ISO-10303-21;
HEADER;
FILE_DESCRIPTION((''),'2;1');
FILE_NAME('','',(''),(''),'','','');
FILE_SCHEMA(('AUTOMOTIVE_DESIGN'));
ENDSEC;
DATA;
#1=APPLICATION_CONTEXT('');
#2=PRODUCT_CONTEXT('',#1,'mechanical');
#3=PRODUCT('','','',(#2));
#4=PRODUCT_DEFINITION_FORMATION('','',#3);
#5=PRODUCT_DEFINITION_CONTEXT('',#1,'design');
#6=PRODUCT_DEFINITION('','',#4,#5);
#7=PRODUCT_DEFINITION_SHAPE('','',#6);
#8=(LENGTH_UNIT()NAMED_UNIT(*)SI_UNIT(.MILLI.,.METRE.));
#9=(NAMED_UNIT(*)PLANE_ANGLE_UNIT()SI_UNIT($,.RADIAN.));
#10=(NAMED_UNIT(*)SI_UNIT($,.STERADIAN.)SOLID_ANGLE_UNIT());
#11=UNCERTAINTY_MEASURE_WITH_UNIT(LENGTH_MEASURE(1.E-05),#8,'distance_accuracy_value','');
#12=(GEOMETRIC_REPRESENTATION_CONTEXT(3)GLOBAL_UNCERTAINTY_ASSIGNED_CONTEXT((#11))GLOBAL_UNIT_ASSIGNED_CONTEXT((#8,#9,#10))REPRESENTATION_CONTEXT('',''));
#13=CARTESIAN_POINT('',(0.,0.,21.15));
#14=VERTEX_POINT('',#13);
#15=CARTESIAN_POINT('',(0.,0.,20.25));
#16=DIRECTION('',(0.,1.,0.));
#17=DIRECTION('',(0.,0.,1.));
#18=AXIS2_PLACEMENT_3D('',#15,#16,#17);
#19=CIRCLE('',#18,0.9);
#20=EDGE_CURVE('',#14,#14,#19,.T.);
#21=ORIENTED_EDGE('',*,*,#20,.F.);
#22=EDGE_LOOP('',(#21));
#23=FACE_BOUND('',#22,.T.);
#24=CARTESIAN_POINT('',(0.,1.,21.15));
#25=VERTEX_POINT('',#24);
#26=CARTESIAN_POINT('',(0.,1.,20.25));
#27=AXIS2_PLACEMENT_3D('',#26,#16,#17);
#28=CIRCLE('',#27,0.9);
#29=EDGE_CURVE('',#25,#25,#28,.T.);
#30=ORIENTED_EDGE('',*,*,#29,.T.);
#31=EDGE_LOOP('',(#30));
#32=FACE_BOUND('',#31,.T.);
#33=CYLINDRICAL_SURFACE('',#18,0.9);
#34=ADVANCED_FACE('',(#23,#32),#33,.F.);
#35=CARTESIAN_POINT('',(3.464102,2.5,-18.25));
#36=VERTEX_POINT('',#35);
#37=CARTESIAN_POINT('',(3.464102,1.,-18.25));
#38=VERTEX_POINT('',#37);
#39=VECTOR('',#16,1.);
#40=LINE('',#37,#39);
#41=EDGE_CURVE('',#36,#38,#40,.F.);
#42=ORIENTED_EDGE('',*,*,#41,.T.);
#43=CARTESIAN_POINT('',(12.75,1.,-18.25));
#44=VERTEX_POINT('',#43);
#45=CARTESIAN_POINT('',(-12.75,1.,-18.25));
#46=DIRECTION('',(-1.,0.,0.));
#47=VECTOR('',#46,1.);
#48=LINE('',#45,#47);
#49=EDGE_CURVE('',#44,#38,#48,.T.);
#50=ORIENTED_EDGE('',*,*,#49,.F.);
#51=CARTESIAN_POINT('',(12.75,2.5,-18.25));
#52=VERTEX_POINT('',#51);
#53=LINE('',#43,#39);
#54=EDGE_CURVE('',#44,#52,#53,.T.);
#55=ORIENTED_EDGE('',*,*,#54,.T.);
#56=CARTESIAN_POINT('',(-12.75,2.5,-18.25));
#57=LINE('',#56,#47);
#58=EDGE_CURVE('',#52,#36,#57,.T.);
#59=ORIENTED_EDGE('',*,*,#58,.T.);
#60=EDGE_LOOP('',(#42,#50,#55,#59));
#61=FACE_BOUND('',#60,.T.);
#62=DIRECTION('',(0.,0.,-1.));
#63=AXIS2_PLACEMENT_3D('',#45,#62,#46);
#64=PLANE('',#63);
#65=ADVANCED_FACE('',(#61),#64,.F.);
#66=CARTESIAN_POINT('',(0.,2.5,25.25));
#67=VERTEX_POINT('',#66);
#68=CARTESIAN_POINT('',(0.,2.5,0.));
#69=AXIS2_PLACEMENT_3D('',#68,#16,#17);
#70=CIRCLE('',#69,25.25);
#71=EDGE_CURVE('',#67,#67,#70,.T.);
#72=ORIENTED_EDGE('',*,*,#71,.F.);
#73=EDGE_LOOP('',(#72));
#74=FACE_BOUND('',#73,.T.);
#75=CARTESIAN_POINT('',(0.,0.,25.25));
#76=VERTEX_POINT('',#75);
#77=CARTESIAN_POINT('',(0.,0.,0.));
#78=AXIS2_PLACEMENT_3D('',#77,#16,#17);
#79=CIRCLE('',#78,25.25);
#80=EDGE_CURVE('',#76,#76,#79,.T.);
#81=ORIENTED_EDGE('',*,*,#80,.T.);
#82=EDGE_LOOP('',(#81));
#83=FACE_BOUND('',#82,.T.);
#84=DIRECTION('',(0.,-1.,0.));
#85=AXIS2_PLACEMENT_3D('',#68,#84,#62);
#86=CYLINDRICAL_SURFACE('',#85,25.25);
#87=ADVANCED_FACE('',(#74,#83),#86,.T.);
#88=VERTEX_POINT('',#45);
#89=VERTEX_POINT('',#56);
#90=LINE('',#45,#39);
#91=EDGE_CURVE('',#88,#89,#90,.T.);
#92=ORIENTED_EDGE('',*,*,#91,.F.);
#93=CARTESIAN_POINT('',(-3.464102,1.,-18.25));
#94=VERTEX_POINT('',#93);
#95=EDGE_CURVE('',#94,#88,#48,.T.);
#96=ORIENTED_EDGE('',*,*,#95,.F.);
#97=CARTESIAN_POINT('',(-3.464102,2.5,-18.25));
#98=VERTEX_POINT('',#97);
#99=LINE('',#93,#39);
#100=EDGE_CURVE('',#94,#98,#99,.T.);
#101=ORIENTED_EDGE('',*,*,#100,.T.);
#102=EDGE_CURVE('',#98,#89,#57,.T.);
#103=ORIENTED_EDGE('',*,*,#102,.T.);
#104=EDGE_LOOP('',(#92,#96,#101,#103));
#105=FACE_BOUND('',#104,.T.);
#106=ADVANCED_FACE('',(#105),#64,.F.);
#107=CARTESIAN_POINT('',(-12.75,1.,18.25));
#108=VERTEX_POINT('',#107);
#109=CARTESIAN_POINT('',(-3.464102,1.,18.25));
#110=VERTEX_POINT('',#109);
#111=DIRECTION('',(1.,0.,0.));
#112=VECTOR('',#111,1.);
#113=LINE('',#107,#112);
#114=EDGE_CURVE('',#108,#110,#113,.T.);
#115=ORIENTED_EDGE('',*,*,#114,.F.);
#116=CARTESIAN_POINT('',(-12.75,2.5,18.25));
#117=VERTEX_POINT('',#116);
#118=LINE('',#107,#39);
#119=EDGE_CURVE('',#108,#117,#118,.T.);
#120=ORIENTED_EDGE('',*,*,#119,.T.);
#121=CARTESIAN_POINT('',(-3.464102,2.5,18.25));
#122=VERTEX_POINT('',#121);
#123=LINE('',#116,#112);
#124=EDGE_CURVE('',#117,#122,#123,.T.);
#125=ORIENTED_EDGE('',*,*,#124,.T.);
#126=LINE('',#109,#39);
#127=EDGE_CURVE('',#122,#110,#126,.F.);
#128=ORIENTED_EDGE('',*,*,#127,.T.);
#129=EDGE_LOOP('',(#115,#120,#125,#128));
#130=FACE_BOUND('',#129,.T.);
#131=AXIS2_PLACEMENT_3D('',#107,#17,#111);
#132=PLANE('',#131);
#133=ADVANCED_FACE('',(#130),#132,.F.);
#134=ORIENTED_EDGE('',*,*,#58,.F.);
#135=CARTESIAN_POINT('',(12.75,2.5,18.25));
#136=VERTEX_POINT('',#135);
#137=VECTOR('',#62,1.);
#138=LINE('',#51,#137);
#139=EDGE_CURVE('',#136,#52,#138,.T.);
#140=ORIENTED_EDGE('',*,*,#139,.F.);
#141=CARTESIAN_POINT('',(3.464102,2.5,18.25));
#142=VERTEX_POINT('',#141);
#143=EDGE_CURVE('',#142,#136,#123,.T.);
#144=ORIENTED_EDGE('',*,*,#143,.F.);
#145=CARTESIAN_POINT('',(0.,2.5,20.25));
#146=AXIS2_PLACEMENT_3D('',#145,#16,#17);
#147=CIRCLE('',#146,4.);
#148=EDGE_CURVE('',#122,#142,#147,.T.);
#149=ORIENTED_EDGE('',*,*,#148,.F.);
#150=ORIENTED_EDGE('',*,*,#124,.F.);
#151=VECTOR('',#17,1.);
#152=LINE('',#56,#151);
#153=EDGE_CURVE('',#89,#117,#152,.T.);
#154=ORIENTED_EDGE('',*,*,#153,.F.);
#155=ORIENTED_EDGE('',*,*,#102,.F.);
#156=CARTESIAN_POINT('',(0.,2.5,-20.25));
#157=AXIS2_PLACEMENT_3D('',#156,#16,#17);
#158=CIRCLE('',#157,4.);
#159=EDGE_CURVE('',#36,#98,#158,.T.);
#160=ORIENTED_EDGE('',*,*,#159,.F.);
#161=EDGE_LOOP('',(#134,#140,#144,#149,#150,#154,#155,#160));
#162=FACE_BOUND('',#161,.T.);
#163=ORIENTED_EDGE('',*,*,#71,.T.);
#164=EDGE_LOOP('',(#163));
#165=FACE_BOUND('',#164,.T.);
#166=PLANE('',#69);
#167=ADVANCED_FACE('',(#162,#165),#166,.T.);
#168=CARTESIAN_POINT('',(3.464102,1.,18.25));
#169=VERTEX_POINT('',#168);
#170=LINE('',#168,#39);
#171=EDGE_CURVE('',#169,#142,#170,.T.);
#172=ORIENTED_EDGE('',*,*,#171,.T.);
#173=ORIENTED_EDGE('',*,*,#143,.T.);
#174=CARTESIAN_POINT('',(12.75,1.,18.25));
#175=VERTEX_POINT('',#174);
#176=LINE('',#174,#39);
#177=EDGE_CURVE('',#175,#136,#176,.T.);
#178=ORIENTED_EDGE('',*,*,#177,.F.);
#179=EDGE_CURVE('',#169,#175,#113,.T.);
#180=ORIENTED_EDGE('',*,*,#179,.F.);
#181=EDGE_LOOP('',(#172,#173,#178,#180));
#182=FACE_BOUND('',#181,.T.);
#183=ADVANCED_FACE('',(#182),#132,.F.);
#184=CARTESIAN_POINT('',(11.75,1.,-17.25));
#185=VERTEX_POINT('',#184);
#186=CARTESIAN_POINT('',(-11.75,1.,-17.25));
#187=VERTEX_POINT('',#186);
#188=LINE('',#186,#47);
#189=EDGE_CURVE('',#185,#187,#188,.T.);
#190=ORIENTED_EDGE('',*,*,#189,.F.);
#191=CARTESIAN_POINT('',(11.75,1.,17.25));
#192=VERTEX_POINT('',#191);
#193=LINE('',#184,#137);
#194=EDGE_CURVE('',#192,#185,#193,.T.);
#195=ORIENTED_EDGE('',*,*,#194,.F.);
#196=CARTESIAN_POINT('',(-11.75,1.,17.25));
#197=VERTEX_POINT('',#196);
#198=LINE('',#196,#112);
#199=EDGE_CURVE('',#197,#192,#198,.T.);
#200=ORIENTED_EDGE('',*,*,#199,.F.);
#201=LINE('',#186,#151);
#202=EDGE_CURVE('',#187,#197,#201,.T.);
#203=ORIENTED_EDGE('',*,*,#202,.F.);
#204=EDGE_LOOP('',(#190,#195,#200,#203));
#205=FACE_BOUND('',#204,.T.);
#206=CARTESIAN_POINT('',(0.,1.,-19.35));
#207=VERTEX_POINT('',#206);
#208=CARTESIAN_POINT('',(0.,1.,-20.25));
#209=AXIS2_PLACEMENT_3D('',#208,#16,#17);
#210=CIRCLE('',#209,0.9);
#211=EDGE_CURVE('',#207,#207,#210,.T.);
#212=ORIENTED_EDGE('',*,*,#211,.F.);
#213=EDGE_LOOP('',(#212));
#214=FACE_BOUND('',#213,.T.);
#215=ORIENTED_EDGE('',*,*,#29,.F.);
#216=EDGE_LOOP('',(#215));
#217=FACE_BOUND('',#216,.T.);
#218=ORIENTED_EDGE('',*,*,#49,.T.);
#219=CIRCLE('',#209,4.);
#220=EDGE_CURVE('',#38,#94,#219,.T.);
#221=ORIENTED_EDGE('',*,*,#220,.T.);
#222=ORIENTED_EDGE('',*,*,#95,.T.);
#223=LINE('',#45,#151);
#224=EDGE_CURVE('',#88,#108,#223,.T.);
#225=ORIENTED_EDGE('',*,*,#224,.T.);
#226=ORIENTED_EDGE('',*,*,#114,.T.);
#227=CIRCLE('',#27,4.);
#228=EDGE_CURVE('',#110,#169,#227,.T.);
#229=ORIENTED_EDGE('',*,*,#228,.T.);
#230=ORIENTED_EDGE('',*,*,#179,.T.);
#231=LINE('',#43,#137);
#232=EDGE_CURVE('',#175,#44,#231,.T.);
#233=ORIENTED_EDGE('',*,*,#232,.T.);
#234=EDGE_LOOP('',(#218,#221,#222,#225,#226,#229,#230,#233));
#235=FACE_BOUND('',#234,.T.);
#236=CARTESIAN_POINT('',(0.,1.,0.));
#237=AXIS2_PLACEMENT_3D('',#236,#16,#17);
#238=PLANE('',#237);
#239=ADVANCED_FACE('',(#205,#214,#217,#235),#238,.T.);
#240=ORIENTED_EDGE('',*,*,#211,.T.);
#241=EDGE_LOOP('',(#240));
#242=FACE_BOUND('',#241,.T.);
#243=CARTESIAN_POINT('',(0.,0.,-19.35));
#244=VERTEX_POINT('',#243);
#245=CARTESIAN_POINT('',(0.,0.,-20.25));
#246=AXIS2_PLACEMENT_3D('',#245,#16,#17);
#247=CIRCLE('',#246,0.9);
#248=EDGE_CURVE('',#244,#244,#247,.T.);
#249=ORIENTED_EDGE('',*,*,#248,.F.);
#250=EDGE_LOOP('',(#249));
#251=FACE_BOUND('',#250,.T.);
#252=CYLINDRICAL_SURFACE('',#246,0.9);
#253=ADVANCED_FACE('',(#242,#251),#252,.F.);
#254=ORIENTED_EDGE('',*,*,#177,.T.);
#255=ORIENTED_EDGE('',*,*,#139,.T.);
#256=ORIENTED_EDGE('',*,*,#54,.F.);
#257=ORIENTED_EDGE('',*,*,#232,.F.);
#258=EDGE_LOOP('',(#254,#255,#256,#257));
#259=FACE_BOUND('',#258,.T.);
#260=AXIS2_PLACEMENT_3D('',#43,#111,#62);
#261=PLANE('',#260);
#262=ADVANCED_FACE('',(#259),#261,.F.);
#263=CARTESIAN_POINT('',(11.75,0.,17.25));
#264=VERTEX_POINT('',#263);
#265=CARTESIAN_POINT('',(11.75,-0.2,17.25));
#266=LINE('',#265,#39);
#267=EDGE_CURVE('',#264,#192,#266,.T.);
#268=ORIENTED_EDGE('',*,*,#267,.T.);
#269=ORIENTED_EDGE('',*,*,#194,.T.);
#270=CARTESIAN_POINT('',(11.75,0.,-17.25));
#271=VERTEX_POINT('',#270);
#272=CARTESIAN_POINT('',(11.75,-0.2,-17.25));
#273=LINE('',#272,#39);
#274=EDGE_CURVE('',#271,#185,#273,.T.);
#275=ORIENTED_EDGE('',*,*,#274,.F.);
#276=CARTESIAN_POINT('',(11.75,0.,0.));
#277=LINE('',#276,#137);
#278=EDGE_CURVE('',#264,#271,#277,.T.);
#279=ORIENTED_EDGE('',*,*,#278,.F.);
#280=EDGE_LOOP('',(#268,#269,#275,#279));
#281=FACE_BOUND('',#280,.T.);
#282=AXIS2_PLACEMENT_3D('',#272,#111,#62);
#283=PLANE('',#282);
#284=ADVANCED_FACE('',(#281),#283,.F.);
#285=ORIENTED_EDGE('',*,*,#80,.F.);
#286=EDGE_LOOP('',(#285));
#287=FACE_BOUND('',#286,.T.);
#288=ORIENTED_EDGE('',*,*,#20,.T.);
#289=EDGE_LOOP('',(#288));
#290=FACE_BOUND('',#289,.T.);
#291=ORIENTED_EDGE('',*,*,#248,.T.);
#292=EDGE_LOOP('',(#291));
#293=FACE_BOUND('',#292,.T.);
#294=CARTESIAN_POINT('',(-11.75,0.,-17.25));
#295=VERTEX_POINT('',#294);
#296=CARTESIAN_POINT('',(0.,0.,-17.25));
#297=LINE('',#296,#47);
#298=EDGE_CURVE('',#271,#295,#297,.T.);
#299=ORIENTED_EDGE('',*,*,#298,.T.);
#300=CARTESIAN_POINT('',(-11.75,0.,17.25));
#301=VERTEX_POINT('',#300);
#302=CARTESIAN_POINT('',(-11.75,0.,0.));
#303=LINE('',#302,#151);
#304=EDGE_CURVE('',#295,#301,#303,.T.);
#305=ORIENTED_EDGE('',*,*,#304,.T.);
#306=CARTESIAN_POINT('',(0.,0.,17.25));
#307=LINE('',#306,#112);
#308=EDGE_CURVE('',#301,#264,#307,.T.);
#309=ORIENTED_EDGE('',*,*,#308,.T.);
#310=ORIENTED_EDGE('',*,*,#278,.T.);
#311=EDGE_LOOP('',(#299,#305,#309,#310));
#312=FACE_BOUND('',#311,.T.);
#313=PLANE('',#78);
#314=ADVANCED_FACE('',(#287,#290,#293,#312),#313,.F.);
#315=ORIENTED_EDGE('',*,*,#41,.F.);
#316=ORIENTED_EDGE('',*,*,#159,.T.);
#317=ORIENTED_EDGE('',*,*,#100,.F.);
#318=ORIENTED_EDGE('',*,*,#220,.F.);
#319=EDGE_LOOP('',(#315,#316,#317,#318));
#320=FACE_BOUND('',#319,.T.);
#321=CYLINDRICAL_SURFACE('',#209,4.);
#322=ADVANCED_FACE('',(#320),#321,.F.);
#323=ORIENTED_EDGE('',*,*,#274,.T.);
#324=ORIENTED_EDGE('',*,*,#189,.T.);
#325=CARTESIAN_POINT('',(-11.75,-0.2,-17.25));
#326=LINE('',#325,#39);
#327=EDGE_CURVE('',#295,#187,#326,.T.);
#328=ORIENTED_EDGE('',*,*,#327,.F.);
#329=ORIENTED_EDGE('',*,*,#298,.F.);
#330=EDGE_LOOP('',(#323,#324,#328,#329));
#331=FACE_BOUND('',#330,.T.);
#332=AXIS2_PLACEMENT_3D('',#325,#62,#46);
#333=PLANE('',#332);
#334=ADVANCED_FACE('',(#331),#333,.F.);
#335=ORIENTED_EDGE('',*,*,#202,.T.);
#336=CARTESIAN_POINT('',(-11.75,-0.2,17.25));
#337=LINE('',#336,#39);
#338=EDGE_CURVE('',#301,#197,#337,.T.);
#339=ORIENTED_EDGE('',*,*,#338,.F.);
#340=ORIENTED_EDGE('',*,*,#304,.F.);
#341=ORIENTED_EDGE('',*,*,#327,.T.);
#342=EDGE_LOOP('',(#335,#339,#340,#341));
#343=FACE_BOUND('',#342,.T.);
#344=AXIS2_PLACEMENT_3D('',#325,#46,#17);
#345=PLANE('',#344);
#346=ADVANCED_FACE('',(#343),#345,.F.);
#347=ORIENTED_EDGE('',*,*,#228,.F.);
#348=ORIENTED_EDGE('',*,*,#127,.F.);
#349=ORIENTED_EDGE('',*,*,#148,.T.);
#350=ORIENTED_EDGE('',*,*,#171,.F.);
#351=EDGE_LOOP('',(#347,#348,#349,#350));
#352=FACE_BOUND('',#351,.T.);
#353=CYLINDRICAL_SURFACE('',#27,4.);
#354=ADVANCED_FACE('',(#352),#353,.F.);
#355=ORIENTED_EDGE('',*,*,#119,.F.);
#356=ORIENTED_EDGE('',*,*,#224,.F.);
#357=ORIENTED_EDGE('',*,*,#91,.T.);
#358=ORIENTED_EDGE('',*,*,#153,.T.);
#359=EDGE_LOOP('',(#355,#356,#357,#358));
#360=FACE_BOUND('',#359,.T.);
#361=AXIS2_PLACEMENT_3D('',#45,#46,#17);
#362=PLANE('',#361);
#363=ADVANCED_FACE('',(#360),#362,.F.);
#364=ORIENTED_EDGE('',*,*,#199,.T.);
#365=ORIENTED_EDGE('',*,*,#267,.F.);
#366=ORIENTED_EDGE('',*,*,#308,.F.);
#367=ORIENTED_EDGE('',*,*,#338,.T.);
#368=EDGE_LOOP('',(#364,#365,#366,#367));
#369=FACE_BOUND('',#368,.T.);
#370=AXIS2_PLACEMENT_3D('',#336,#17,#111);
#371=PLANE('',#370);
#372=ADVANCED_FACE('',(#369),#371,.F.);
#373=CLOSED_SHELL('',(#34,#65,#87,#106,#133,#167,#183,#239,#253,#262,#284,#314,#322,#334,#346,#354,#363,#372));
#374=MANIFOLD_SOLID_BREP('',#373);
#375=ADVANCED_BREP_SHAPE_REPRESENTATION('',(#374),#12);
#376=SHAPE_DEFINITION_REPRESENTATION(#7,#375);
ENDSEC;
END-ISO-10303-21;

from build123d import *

# Parameters (mm, degrees)
SKETCH1_R           = 25.25
BOSS_EXTRUDE1_DEPTH = 2.5
SKETCH2_W           = 25.5
SKETCH2_H           = 36.5
CUT_EXTRUDE1_DEPTH  = 1.5
SKETCH3_W           = 23.5
SKETCH3_H           = 34.5
CUT_EXTRUDE2_DEPTH  = 1.2
SKETCH4_R           = 4
CUT_EXTRUDE3_DEPTH  = 1.5
SKETCH5_R           = 0.9
CUT_EXTRUDE4_DEPTH  = 2


with BuildPart() as part:
    # Sketch1 → Boss-Extrude1 (new body)
    with BuildSketch(Plane(origin=(0, 0, 0), x_dir=(1, 0, 0), z_dir=(0, 1, 0))):
        Circle(SKETCH1_R)
    extrude(amount=BOSS_EXTRUDE1_DEPTH)

    # Sketch2 → Cut-Extrude1 (cut)
    with BuildSketch(Plane(origin=(0, 2.5, 0), x_dir=(1, 0, 0), z_dir=(0, 1, 0))):
        Rectangle(SKETCH2_W, SKETCH2_H)
    extrude(amount=-CUT_EXTRUDE1_DEPTH, mode=Mode.SUBTRACT)

    # Sketch3 → Cut-Extrude2 (cut)
    with BuildSketch(Plane(origin=(0, 1, 0), x_dir=(1, 0, 0), z_dir=(0, 1, 0))):
        Rectangle(SKETCH3_W, SKETCH3_H)
    extrude(amount=-CUT_EXTRUDE2_DEPTH, mode=Mode.SUBTRACT)

    # Sketch4 → Cut-Extrude3 (cut)
    with BuildSketch(Plane(origin=(0, 2.5, 0), x_dir=(1, 0, 0), z_dir=(0, 1, 0))):
        with Locations((0, 20.25)):
            Circle(SKETCH4_R)
        with Locations((0, -20.25)):
            Circle(SKETCH4_R)
    extrude(amount=-CUT_EXTRUDE3_DEPTH, mode=Mode.SUBTRACT)

    # Sketch5 → Cut-Extrude4 (cut, through all)
    with BuildSketch(Plane(origin=(0, 1, 0), x_dir=(1, 0, 0), z_dir=(0, 1, 0))):
        with Locations((0, 20.25)):
            Circle(SKETCH5_R)
        with Locations((0, -20.25)):
            Circle(SKETCH5_R)
    extrude(amount=-CUT_EXTRUDE4_DEPTH, mode=Mode.SUBTRACT)


solid = part.part
